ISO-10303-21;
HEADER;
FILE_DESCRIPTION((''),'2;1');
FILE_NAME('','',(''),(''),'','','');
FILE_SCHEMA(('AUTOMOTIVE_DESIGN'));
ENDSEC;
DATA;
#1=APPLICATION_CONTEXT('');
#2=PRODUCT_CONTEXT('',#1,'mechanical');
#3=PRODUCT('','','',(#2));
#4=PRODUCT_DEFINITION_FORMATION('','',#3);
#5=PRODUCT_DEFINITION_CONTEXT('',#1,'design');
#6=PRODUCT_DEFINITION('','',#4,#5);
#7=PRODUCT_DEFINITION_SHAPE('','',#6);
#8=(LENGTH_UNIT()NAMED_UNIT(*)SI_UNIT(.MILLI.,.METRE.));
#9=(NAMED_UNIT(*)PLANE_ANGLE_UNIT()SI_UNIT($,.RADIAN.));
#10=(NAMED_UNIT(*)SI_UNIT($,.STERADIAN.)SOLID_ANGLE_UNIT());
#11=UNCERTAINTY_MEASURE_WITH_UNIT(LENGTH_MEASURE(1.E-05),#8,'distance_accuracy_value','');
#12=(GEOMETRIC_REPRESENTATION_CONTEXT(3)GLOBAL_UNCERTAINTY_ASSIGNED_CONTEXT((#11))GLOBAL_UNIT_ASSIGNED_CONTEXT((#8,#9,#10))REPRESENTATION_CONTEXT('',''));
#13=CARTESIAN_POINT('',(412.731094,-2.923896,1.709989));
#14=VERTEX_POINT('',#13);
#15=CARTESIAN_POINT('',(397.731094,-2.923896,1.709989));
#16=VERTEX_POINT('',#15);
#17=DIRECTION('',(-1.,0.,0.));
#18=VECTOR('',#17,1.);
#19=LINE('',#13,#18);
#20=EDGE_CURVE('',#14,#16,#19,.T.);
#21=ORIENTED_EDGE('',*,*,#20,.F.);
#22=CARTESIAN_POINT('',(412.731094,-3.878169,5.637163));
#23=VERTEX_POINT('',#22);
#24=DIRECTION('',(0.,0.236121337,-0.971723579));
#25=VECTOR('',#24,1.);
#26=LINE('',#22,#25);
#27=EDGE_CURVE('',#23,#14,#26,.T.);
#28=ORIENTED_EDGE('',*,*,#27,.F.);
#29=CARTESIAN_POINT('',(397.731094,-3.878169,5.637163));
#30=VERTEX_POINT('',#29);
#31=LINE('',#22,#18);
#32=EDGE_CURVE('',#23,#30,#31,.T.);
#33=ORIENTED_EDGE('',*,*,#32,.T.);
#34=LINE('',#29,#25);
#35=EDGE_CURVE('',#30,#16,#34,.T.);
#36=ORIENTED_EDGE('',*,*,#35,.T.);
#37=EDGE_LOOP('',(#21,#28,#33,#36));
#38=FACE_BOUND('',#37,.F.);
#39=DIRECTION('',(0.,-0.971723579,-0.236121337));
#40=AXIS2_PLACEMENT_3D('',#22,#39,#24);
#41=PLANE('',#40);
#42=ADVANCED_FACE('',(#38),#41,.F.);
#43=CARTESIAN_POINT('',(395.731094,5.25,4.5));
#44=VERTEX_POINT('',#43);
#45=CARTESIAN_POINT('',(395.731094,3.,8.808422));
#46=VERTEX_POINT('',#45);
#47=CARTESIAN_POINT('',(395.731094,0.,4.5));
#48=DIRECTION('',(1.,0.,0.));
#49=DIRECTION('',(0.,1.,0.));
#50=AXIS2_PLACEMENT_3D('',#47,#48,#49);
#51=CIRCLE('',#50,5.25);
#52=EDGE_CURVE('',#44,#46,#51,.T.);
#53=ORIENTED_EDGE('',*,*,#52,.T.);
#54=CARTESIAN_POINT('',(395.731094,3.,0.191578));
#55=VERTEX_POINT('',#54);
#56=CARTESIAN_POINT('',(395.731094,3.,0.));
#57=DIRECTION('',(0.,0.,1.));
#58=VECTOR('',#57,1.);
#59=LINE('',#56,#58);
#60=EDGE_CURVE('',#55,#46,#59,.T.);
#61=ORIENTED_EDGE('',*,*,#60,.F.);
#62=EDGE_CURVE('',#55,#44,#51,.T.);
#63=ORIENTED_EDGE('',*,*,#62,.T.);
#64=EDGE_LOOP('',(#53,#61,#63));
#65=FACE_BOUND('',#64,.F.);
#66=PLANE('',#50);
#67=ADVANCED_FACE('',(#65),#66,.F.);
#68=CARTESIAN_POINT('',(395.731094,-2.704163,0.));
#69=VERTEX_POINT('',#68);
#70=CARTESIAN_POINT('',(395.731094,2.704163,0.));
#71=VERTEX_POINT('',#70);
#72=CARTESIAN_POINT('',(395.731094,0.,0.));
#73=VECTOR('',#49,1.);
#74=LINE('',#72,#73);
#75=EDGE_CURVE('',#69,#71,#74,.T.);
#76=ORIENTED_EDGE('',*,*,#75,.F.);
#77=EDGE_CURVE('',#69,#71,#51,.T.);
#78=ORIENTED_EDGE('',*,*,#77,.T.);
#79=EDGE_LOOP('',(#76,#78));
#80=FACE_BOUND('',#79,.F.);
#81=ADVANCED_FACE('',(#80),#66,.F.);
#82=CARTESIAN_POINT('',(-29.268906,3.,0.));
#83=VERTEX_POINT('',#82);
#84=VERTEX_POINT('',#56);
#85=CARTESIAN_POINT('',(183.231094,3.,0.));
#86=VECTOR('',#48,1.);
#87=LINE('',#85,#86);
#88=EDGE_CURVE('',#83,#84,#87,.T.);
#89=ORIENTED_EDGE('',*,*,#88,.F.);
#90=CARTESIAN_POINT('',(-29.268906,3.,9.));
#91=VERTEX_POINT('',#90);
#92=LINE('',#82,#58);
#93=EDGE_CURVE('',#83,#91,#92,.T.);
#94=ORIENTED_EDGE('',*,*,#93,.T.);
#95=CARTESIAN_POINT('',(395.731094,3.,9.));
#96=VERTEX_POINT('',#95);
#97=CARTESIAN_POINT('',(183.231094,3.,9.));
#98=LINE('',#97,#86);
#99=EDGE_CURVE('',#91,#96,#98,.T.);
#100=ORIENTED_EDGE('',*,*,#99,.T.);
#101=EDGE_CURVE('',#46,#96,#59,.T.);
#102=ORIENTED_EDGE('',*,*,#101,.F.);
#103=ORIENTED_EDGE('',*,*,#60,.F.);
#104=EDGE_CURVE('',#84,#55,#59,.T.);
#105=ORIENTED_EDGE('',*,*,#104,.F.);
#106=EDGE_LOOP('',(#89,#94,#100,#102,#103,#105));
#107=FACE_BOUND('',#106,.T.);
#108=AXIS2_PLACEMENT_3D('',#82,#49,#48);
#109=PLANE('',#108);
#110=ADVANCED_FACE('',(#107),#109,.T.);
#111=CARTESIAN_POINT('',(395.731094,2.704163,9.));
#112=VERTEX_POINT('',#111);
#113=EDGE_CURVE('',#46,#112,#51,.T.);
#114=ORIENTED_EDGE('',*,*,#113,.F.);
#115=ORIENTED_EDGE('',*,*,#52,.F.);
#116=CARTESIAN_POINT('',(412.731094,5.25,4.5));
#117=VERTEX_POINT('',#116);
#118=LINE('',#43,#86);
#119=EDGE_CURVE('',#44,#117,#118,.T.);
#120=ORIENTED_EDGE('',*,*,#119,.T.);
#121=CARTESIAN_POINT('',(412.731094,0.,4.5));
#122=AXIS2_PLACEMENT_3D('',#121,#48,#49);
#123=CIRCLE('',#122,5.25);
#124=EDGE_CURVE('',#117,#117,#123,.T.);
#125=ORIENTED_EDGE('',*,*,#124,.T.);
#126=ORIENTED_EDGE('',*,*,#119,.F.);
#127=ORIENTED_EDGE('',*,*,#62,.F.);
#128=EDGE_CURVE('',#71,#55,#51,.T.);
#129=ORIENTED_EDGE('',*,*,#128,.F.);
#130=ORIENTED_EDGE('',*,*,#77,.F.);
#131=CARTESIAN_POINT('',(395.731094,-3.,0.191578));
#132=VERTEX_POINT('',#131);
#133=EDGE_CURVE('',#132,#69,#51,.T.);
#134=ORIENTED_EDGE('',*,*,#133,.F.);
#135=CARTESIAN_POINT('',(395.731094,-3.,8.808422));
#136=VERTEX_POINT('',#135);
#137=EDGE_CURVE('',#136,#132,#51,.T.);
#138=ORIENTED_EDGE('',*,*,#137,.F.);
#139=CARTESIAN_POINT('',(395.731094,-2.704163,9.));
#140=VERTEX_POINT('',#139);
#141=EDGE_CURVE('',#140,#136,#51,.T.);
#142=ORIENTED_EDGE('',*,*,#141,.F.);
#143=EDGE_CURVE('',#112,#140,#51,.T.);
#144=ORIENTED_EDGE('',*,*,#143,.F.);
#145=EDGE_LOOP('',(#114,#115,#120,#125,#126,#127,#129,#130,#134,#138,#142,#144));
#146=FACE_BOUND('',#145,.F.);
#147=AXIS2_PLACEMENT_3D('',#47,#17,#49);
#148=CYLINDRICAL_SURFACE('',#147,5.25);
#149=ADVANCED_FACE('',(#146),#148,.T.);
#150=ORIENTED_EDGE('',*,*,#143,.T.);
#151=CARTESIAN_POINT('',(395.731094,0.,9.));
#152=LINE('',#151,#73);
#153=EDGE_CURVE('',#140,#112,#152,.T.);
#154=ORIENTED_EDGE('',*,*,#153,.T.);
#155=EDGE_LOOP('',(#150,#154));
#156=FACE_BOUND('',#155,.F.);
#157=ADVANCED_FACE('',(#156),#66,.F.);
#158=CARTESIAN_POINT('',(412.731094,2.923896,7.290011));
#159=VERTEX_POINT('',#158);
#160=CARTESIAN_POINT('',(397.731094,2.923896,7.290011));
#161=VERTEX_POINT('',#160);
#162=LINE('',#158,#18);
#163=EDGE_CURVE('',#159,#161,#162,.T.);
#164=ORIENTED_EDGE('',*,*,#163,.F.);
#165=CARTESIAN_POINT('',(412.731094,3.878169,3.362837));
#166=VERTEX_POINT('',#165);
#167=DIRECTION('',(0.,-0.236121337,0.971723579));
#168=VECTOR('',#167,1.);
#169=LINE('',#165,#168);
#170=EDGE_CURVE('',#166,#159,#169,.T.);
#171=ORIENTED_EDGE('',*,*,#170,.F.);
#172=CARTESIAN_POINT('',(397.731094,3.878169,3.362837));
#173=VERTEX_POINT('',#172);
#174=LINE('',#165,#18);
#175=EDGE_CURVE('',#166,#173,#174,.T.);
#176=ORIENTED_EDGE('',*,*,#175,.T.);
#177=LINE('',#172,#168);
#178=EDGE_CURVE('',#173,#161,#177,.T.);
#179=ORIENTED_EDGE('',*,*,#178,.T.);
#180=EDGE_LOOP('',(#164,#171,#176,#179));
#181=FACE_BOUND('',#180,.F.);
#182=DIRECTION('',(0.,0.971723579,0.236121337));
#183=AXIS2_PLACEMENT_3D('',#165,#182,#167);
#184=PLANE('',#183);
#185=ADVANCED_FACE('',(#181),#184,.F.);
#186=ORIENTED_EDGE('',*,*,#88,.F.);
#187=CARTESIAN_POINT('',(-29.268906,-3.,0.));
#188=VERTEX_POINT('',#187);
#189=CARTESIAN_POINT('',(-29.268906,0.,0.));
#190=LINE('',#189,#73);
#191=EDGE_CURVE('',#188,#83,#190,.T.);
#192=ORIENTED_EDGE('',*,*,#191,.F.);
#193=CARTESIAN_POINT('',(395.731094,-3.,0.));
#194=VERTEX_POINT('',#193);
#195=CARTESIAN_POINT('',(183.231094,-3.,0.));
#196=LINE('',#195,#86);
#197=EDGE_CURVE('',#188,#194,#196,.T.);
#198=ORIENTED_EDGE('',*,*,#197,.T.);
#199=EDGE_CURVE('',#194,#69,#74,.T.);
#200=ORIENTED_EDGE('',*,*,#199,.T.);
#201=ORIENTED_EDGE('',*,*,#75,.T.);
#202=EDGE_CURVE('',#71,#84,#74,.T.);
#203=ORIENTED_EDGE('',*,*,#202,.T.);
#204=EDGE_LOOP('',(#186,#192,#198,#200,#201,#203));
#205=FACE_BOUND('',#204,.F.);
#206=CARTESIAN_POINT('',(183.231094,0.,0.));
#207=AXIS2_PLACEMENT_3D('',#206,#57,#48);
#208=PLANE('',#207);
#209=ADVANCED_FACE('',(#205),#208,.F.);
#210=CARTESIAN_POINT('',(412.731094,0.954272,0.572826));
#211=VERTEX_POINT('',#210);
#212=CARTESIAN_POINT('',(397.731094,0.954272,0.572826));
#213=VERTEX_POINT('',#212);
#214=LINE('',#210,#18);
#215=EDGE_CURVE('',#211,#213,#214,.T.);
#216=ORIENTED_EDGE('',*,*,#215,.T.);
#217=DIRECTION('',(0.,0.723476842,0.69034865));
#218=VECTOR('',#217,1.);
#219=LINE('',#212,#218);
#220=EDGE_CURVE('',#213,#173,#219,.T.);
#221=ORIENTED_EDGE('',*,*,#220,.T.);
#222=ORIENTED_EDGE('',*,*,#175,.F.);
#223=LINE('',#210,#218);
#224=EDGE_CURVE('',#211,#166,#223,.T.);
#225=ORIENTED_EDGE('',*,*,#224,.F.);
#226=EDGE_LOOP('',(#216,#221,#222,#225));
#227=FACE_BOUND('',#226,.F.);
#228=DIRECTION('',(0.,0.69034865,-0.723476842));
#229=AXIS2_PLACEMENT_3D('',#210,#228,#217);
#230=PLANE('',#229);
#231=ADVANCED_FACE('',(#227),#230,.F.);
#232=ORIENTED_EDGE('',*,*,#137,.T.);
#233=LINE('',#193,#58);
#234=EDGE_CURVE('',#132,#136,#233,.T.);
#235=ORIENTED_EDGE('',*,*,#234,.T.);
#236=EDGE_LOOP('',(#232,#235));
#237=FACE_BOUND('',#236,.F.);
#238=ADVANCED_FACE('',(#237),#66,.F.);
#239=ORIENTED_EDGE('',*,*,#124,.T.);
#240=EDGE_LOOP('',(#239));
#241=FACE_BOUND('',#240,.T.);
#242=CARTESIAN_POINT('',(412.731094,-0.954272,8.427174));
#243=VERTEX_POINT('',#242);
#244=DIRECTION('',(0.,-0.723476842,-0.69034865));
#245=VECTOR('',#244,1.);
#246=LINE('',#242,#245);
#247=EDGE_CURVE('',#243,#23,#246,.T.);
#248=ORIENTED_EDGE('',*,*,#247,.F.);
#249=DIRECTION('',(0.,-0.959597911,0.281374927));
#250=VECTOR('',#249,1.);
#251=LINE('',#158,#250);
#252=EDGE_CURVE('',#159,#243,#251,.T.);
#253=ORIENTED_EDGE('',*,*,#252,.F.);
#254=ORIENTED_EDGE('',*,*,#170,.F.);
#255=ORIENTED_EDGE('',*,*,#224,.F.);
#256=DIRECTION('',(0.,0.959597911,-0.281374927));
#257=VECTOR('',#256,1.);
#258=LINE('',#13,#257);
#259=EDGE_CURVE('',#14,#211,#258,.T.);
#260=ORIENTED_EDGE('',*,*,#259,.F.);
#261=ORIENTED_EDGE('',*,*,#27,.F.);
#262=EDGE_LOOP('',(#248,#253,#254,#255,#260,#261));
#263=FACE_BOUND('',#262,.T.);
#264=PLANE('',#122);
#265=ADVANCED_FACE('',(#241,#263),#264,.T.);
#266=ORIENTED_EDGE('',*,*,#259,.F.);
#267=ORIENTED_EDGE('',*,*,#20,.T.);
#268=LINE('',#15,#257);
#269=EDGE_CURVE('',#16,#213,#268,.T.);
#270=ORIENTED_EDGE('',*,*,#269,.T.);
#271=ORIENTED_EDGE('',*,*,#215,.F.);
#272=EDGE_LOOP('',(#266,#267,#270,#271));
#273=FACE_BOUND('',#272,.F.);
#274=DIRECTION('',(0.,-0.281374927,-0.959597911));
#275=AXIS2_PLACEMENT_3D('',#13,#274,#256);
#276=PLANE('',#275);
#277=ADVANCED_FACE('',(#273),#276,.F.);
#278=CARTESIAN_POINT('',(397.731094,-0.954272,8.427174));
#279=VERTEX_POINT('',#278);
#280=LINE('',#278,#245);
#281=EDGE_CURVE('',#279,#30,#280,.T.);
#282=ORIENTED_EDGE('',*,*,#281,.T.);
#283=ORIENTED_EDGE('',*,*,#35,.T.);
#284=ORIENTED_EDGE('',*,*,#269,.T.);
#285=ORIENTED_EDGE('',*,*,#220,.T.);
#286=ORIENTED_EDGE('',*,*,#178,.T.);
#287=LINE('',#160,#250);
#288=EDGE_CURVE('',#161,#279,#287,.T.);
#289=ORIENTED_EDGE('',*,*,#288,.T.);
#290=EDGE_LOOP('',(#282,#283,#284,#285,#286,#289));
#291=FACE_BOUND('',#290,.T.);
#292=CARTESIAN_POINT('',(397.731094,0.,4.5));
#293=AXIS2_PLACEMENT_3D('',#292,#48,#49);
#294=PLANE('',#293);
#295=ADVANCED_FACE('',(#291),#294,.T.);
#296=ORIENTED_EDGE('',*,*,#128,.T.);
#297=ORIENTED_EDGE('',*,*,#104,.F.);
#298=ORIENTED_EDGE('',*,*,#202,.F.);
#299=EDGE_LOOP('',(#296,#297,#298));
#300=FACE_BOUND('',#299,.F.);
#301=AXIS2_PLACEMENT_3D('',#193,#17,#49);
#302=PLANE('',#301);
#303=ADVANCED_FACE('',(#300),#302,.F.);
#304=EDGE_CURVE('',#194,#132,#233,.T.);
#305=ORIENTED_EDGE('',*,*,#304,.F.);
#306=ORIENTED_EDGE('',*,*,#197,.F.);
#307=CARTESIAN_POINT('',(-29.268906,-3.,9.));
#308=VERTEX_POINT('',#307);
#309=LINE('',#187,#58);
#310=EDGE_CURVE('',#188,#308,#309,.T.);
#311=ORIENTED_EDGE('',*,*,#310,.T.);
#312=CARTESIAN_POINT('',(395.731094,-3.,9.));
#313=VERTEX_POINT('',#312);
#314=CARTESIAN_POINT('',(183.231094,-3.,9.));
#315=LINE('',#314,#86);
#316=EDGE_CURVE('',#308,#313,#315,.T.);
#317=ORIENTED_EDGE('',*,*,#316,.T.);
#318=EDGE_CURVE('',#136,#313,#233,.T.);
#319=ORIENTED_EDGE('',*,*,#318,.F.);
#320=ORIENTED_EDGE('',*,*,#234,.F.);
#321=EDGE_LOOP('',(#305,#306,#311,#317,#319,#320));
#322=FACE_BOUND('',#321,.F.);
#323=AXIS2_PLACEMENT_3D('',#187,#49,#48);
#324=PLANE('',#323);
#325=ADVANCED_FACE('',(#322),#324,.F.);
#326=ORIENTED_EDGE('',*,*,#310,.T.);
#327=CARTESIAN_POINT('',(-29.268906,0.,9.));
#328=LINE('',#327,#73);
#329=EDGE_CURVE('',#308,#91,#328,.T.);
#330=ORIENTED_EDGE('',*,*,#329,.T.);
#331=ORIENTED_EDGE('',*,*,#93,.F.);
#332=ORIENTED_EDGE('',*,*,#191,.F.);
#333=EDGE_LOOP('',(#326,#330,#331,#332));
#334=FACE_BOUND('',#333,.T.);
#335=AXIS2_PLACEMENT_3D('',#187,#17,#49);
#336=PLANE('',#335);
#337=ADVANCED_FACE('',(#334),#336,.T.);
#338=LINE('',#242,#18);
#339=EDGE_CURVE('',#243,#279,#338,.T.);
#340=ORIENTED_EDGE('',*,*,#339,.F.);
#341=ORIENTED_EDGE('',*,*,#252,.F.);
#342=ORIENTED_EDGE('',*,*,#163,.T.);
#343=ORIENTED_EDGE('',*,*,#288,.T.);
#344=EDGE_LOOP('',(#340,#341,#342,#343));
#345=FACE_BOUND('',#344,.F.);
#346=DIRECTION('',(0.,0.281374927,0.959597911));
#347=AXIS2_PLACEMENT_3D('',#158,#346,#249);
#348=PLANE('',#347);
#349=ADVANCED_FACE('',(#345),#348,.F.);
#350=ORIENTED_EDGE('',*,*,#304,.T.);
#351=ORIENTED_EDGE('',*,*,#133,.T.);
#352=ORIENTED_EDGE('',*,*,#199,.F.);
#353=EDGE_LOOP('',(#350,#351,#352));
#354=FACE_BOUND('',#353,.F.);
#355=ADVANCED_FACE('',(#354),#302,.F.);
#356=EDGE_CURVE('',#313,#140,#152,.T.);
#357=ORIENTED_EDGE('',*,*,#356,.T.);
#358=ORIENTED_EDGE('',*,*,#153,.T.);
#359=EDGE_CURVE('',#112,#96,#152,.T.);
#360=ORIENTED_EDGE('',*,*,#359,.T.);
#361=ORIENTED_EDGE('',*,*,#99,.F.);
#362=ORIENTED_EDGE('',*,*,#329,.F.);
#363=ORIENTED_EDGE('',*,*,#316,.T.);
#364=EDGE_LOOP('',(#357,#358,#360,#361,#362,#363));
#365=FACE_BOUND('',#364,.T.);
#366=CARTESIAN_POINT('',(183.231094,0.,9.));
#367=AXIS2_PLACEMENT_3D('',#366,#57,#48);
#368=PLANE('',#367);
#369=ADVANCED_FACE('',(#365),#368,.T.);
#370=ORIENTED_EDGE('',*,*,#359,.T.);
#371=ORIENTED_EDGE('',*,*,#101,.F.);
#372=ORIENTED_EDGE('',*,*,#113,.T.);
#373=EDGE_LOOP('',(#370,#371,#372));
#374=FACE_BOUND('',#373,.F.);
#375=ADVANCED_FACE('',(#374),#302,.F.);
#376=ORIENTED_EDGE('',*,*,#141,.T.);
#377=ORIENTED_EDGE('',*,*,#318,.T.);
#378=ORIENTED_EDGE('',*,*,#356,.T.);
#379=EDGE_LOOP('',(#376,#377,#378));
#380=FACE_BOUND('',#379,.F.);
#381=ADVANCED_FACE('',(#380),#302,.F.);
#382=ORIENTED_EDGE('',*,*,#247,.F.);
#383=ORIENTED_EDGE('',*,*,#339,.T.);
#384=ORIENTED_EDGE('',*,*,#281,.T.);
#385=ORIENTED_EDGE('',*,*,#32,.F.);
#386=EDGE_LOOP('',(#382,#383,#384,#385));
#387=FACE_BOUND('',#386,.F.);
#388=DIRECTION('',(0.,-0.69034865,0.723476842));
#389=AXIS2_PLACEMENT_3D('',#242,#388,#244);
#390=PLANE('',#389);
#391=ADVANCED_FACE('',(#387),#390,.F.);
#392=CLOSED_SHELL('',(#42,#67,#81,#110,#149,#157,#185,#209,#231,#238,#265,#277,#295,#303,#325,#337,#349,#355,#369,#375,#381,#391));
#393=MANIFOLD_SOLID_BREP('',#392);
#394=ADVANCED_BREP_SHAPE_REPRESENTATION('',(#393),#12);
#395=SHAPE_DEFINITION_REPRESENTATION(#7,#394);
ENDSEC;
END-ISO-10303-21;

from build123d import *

# Parameters (mm, degrees)
F0_W     = 425
F0_H     = 6
F1_DEPTH = 9
F2_R     = 5.25
F3_DEPTH = 17
F5_DEPTH = 15


with BuildPart() as f1:
    # F0 (on Top) → F1 (new body)
    with BuildSketch(Plane.XY):
        with Locations((183.231094, 0)):
            Rectangle(F0_W, F0_H)
    extrude(amount=F1_DEPTH)

    # F2 (on face) → F3 (join)
    with BuildSketch(Plane.YZ.offset(395.731094)):
        with Locations((0, 4.5)):
            Circle(F2_R)
    extrude(amount=F3_DEPTH)

    # F4 (on face) → F5 (cut)
    with BuildSketch(Plane.YZ.offset(412.731094)):
        Polygon((0.954272, 0.572826), (3.878169, 3.362837), (2.923896, 7.290011), (-0.954272, 8.427174), (-3.878169, 5.637163), (-2.923896, 1.709989), align=None)
    extrude(amount=-F5_DEPTH, mode=Mode.SUBTRACT)


solid = f1.part
